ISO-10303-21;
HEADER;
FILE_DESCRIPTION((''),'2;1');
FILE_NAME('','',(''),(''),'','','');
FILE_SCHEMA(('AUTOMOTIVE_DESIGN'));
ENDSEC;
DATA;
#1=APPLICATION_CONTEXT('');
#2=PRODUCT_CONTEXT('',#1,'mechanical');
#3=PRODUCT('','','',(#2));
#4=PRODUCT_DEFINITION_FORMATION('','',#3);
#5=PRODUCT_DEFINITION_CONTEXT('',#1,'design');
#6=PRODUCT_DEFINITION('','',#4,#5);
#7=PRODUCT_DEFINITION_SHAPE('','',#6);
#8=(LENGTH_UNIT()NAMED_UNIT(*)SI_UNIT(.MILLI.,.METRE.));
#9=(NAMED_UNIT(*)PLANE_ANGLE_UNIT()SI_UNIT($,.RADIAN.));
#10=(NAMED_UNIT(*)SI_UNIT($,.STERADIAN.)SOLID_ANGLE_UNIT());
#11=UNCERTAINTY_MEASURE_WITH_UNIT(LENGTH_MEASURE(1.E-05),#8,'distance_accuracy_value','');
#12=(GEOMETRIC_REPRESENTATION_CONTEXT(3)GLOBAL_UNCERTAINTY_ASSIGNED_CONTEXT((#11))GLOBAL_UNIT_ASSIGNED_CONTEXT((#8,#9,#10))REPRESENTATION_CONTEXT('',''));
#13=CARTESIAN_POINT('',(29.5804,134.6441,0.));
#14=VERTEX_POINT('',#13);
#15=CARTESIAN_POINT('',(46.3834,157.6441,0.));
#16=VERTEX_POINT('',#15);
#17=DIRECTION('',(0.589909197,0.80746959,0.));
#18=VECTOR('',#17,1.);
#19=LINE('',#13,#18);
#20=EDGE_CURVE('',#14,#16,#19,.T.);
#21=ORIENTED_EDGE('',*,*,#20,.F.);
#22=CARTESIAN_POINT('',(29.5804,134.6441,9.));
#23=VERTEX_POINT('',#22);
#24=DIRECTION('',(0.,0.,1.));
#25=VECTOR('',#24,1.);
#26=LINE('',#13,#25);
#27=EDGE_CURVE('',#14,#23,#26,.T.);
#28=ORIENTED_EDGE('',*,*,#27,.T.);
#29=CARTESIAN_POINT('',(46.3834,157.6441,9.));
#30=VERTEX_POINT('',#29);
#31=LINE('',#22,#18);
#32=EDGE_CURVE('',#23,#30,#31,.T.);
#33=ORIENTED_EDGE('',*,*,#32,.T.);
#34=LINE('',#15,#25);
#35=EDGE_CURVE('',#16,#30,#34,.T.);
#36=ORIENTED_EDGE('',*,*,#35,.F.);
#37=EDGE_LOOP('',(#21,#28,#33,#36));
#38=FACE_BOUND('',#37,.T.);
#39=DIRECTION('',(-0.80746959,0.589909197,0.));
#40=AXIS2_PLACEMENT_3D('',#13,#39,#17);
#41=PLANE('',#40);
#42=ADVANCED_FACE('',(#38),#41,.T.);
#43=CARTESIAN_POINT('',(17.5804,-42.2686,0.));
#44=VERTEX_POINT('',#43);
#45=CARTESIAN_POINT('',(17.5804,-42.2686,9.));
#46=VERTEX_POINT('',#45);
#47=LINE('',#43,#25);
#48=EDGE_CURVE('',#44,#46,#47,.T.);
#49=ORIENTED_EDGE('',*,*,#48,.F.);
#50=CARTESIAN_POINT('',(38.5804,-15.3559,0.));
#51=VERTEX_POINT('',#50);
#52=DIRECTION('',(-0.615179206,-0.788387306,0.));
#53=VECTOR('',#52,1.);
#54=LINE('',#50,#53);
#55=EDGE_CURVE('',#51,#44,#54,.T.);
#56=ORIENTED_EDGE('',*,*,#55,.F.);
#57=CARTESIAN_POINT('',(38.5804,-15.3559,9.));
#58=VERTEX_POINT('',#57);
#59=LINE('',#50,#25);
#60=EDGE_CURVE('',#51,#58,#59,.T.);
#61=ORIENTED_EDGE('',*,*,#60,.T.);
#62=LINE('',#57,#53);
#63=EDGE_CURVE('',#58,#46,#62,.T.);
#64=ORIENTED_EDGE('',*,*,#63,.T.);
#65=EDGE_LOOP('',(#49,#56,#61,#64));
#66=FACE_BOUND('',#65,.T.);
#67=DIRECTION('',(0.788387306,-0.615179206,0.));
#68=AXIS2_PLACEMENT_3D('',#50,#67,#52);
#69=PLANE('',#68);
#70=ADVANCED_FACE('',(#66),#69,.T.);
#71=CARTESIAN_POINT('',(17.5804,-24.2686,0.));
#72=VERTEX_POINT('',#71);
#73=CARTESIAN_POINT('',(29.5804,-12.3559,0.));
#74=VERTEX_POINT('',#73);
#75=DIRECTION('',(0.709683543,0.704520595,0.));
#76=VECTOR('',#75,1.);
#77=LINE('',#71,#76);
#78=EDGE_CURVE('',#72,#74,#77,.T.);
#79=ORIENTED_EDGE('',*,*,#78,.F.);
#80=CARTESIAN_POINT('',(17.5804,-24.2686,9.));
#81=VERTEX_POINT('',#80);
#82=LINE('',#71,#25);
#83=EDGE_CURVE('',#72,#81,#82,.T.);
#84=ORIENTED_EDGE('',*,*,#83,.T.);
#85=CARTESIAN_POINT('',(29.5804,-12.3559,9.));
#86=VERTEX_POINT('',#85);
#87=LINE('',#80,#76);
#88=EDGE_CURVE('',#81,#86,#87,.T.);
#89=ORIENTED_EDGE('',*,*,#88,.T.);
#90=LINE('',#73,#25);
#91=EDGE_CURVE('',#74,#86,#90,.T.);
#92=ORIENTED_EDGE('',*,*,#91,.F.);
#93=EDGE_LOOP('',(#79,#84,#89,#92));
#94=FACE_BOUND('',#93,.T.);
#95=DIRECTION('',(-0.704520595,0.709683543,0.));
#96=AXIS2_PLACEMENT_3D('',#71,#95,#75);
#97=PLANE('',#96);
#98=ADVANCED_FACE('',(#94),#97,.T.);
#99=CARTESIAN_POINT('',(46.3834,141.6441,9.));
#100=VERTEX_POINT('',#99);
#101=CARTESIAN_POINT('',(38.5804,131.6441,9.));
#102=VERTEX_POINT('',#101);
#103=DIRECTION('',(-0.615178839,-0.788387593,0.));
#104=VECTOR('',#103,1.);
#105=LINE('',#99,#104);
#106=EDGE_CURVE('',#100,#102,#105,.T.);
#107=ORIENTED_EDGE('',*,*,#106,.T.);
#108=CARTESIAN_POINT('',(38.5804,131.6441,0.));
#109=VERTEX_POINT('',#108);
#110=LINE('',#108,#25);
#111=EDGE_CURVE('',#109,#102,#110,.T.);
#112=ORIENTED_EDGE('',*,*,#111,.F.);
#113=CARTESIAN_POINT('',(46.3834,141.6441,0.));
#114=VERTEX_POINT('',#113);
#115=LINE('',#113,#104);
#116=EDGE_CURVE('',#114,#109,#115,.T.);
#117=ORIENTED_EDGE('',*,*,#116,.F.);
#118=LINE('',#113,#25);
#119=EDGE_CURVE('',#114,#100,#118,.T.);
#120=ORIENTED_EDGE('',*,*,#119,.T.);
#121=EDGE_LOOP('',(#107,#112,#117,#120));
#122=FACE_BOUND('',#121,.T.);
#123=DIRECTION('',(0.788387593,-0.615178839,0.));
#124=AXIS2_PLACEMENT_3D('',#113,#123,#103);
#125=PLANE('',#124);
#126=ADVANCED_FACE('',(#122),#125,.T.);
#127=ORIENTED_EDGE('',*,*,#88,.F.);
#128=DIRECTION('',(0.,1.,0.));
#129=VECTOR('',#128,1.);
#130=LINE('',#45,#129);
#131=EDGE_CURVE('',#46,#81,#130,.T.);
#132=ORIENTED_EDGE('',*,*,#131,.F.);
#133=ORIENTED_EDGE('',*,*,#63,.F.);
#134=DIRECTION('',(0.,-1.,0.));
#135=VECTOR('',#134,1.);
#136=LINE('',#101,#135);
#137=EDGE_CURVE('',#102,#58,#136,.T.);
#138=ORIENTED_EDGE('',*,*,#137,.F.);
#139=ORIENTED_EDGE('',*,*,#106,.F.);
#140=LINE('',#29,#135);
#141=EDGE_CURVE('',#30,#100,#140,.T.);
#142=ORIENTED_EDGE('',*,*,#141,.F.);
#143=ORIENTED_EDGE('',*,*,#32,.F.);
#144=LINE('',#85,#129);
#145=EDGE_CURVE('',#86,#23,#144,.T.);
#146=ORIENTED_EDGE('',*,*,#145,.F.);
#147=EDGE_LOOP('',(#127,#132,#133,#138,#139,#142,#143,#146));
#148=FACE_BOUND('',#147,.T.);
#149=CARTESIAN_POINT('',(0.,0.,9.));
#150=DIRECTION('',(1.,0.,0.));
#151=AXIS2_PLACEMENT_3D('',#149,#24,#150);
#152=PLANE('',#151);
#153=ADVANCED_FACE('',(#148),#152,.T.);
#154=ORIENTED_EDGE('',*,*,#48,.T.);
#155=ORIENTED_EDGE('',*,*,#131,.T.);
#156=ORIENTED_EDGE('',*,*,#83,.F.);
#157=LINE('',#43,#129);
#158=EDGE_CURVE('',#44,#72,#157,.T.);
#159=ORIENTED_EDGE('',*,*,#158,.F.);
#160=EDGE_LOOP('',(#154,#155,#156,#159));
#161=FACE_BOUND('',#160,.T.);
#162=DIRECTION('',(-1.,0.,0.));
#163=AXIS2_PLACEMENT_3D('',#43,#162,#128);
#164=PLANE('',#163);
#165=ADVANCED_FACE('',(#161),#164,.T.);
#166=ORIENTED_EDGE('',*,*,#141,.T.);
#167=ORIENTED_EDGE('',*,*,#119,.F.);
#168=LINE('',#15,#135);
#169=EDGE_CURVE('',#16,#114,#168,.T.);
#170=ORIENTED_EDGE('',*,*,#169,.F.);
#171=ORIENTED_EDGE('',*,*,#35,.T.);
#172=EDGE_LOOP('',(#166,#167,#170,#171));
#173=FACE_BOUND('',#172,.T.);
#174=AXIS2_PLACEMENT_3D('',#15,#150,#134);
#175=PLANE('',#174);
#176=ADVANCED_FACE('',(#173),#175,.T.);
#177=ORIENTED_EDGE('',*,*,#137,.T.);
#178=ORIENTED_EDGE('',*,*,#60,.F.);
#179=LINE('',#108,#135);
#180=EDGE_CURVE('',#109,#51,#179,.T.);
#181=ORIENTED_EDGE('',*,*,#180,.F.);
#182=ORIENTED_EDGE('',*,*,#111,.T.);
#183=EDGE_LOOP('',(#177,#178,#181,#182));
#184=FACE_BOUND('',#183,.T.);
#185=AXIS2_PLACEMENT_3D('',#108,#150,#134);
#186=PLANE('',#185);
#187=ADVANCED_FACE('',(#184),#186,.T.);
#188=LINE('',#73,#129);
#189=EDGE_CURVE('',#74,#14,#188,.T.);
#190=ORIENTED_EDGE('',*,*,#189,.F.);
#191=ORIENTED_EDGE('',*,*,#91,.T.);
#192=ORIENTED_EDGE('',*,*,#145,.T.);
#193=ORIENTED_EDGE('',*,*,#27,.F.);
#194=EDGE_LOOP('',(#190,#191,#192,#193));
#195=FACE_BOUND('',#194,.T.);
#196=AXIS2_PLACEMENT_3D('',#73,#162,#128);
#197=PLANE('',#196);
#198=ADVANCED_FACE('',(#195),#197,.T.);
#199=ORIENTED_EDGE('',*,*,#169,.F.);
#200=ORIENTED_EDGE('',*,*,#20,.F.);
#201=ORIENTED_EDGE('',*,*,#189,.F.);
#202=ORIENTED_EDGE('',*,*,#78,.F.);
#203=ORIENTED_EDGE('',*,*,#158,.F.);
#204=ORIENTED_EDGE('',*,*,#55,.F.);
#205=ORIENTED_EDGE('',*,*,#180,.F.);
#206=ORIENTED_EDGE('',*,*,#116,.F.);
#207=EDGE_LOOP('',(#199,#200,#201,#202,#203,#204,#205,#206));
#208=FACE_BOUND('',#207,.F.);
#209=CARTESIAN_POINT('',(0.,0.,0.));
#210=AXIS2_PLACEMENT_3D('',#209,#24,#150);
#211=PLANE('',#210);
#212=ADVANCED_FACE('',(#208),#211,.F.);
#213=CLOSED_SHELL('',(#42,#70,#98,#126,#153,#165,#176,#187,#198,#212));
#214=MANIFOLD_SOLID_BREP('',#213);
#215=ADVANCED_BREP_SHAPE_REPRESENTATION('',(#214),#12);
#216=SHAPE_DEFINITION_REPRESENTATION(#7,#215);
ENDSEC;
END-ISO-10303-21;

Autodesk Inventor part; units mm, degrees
ref_plane "YZ Plane" through (0, 0, 0) normal (1, 0, 0) x (0, 1, 0)
ref_plane "XZ Plane" through (0, 0, 0) normal (0, 1, 0) x (-1, 0, 0)
ref_plane "XY Plane" through (0, 0, 0) normal (0, 0, 1) x (1, 0, 0)
sketch "Esquisse1" plane through (0, 0, 0) normal (0, 0, 1) x (1, 0, 0)
  line L0 (17.5804, -42.2686) -> (17.5804, -24.2686)
  line L1 (17.5804, -24.2686) -> (29.5804, -12.3559)
  line L2 (29.5804, -12.3559) -> (29.5804, 134.6441)
  line L3 (46.3834, 157.6441) -> (46.3834, 141.6441)
  line L4 (46.3834, 141.6441) -> (38.5804, 131.6441)
  line L5 (38.5804, 131.6441) -> (38.5804, -15.3559)
  line L6 (38.5804, -15.3559) -> (17.5804, -42.2686)
  line L7 (29.5804, 134.6441) -> (46.3834, 157.6441)
  point P0 (0, 0)
  dimension "d0" = 147
  dimension "d1" = 147
  dimension "d2" = 18
  dimension "d3" = 16
  dimension "d4" = 21
  dimension "d5" = 12
  dimension "d6" = 23
  dimension "d7" = 10
extrude "Extrusion1" add sketch "Esquisse1" along normal blind 9
properties part number "Mannette"
